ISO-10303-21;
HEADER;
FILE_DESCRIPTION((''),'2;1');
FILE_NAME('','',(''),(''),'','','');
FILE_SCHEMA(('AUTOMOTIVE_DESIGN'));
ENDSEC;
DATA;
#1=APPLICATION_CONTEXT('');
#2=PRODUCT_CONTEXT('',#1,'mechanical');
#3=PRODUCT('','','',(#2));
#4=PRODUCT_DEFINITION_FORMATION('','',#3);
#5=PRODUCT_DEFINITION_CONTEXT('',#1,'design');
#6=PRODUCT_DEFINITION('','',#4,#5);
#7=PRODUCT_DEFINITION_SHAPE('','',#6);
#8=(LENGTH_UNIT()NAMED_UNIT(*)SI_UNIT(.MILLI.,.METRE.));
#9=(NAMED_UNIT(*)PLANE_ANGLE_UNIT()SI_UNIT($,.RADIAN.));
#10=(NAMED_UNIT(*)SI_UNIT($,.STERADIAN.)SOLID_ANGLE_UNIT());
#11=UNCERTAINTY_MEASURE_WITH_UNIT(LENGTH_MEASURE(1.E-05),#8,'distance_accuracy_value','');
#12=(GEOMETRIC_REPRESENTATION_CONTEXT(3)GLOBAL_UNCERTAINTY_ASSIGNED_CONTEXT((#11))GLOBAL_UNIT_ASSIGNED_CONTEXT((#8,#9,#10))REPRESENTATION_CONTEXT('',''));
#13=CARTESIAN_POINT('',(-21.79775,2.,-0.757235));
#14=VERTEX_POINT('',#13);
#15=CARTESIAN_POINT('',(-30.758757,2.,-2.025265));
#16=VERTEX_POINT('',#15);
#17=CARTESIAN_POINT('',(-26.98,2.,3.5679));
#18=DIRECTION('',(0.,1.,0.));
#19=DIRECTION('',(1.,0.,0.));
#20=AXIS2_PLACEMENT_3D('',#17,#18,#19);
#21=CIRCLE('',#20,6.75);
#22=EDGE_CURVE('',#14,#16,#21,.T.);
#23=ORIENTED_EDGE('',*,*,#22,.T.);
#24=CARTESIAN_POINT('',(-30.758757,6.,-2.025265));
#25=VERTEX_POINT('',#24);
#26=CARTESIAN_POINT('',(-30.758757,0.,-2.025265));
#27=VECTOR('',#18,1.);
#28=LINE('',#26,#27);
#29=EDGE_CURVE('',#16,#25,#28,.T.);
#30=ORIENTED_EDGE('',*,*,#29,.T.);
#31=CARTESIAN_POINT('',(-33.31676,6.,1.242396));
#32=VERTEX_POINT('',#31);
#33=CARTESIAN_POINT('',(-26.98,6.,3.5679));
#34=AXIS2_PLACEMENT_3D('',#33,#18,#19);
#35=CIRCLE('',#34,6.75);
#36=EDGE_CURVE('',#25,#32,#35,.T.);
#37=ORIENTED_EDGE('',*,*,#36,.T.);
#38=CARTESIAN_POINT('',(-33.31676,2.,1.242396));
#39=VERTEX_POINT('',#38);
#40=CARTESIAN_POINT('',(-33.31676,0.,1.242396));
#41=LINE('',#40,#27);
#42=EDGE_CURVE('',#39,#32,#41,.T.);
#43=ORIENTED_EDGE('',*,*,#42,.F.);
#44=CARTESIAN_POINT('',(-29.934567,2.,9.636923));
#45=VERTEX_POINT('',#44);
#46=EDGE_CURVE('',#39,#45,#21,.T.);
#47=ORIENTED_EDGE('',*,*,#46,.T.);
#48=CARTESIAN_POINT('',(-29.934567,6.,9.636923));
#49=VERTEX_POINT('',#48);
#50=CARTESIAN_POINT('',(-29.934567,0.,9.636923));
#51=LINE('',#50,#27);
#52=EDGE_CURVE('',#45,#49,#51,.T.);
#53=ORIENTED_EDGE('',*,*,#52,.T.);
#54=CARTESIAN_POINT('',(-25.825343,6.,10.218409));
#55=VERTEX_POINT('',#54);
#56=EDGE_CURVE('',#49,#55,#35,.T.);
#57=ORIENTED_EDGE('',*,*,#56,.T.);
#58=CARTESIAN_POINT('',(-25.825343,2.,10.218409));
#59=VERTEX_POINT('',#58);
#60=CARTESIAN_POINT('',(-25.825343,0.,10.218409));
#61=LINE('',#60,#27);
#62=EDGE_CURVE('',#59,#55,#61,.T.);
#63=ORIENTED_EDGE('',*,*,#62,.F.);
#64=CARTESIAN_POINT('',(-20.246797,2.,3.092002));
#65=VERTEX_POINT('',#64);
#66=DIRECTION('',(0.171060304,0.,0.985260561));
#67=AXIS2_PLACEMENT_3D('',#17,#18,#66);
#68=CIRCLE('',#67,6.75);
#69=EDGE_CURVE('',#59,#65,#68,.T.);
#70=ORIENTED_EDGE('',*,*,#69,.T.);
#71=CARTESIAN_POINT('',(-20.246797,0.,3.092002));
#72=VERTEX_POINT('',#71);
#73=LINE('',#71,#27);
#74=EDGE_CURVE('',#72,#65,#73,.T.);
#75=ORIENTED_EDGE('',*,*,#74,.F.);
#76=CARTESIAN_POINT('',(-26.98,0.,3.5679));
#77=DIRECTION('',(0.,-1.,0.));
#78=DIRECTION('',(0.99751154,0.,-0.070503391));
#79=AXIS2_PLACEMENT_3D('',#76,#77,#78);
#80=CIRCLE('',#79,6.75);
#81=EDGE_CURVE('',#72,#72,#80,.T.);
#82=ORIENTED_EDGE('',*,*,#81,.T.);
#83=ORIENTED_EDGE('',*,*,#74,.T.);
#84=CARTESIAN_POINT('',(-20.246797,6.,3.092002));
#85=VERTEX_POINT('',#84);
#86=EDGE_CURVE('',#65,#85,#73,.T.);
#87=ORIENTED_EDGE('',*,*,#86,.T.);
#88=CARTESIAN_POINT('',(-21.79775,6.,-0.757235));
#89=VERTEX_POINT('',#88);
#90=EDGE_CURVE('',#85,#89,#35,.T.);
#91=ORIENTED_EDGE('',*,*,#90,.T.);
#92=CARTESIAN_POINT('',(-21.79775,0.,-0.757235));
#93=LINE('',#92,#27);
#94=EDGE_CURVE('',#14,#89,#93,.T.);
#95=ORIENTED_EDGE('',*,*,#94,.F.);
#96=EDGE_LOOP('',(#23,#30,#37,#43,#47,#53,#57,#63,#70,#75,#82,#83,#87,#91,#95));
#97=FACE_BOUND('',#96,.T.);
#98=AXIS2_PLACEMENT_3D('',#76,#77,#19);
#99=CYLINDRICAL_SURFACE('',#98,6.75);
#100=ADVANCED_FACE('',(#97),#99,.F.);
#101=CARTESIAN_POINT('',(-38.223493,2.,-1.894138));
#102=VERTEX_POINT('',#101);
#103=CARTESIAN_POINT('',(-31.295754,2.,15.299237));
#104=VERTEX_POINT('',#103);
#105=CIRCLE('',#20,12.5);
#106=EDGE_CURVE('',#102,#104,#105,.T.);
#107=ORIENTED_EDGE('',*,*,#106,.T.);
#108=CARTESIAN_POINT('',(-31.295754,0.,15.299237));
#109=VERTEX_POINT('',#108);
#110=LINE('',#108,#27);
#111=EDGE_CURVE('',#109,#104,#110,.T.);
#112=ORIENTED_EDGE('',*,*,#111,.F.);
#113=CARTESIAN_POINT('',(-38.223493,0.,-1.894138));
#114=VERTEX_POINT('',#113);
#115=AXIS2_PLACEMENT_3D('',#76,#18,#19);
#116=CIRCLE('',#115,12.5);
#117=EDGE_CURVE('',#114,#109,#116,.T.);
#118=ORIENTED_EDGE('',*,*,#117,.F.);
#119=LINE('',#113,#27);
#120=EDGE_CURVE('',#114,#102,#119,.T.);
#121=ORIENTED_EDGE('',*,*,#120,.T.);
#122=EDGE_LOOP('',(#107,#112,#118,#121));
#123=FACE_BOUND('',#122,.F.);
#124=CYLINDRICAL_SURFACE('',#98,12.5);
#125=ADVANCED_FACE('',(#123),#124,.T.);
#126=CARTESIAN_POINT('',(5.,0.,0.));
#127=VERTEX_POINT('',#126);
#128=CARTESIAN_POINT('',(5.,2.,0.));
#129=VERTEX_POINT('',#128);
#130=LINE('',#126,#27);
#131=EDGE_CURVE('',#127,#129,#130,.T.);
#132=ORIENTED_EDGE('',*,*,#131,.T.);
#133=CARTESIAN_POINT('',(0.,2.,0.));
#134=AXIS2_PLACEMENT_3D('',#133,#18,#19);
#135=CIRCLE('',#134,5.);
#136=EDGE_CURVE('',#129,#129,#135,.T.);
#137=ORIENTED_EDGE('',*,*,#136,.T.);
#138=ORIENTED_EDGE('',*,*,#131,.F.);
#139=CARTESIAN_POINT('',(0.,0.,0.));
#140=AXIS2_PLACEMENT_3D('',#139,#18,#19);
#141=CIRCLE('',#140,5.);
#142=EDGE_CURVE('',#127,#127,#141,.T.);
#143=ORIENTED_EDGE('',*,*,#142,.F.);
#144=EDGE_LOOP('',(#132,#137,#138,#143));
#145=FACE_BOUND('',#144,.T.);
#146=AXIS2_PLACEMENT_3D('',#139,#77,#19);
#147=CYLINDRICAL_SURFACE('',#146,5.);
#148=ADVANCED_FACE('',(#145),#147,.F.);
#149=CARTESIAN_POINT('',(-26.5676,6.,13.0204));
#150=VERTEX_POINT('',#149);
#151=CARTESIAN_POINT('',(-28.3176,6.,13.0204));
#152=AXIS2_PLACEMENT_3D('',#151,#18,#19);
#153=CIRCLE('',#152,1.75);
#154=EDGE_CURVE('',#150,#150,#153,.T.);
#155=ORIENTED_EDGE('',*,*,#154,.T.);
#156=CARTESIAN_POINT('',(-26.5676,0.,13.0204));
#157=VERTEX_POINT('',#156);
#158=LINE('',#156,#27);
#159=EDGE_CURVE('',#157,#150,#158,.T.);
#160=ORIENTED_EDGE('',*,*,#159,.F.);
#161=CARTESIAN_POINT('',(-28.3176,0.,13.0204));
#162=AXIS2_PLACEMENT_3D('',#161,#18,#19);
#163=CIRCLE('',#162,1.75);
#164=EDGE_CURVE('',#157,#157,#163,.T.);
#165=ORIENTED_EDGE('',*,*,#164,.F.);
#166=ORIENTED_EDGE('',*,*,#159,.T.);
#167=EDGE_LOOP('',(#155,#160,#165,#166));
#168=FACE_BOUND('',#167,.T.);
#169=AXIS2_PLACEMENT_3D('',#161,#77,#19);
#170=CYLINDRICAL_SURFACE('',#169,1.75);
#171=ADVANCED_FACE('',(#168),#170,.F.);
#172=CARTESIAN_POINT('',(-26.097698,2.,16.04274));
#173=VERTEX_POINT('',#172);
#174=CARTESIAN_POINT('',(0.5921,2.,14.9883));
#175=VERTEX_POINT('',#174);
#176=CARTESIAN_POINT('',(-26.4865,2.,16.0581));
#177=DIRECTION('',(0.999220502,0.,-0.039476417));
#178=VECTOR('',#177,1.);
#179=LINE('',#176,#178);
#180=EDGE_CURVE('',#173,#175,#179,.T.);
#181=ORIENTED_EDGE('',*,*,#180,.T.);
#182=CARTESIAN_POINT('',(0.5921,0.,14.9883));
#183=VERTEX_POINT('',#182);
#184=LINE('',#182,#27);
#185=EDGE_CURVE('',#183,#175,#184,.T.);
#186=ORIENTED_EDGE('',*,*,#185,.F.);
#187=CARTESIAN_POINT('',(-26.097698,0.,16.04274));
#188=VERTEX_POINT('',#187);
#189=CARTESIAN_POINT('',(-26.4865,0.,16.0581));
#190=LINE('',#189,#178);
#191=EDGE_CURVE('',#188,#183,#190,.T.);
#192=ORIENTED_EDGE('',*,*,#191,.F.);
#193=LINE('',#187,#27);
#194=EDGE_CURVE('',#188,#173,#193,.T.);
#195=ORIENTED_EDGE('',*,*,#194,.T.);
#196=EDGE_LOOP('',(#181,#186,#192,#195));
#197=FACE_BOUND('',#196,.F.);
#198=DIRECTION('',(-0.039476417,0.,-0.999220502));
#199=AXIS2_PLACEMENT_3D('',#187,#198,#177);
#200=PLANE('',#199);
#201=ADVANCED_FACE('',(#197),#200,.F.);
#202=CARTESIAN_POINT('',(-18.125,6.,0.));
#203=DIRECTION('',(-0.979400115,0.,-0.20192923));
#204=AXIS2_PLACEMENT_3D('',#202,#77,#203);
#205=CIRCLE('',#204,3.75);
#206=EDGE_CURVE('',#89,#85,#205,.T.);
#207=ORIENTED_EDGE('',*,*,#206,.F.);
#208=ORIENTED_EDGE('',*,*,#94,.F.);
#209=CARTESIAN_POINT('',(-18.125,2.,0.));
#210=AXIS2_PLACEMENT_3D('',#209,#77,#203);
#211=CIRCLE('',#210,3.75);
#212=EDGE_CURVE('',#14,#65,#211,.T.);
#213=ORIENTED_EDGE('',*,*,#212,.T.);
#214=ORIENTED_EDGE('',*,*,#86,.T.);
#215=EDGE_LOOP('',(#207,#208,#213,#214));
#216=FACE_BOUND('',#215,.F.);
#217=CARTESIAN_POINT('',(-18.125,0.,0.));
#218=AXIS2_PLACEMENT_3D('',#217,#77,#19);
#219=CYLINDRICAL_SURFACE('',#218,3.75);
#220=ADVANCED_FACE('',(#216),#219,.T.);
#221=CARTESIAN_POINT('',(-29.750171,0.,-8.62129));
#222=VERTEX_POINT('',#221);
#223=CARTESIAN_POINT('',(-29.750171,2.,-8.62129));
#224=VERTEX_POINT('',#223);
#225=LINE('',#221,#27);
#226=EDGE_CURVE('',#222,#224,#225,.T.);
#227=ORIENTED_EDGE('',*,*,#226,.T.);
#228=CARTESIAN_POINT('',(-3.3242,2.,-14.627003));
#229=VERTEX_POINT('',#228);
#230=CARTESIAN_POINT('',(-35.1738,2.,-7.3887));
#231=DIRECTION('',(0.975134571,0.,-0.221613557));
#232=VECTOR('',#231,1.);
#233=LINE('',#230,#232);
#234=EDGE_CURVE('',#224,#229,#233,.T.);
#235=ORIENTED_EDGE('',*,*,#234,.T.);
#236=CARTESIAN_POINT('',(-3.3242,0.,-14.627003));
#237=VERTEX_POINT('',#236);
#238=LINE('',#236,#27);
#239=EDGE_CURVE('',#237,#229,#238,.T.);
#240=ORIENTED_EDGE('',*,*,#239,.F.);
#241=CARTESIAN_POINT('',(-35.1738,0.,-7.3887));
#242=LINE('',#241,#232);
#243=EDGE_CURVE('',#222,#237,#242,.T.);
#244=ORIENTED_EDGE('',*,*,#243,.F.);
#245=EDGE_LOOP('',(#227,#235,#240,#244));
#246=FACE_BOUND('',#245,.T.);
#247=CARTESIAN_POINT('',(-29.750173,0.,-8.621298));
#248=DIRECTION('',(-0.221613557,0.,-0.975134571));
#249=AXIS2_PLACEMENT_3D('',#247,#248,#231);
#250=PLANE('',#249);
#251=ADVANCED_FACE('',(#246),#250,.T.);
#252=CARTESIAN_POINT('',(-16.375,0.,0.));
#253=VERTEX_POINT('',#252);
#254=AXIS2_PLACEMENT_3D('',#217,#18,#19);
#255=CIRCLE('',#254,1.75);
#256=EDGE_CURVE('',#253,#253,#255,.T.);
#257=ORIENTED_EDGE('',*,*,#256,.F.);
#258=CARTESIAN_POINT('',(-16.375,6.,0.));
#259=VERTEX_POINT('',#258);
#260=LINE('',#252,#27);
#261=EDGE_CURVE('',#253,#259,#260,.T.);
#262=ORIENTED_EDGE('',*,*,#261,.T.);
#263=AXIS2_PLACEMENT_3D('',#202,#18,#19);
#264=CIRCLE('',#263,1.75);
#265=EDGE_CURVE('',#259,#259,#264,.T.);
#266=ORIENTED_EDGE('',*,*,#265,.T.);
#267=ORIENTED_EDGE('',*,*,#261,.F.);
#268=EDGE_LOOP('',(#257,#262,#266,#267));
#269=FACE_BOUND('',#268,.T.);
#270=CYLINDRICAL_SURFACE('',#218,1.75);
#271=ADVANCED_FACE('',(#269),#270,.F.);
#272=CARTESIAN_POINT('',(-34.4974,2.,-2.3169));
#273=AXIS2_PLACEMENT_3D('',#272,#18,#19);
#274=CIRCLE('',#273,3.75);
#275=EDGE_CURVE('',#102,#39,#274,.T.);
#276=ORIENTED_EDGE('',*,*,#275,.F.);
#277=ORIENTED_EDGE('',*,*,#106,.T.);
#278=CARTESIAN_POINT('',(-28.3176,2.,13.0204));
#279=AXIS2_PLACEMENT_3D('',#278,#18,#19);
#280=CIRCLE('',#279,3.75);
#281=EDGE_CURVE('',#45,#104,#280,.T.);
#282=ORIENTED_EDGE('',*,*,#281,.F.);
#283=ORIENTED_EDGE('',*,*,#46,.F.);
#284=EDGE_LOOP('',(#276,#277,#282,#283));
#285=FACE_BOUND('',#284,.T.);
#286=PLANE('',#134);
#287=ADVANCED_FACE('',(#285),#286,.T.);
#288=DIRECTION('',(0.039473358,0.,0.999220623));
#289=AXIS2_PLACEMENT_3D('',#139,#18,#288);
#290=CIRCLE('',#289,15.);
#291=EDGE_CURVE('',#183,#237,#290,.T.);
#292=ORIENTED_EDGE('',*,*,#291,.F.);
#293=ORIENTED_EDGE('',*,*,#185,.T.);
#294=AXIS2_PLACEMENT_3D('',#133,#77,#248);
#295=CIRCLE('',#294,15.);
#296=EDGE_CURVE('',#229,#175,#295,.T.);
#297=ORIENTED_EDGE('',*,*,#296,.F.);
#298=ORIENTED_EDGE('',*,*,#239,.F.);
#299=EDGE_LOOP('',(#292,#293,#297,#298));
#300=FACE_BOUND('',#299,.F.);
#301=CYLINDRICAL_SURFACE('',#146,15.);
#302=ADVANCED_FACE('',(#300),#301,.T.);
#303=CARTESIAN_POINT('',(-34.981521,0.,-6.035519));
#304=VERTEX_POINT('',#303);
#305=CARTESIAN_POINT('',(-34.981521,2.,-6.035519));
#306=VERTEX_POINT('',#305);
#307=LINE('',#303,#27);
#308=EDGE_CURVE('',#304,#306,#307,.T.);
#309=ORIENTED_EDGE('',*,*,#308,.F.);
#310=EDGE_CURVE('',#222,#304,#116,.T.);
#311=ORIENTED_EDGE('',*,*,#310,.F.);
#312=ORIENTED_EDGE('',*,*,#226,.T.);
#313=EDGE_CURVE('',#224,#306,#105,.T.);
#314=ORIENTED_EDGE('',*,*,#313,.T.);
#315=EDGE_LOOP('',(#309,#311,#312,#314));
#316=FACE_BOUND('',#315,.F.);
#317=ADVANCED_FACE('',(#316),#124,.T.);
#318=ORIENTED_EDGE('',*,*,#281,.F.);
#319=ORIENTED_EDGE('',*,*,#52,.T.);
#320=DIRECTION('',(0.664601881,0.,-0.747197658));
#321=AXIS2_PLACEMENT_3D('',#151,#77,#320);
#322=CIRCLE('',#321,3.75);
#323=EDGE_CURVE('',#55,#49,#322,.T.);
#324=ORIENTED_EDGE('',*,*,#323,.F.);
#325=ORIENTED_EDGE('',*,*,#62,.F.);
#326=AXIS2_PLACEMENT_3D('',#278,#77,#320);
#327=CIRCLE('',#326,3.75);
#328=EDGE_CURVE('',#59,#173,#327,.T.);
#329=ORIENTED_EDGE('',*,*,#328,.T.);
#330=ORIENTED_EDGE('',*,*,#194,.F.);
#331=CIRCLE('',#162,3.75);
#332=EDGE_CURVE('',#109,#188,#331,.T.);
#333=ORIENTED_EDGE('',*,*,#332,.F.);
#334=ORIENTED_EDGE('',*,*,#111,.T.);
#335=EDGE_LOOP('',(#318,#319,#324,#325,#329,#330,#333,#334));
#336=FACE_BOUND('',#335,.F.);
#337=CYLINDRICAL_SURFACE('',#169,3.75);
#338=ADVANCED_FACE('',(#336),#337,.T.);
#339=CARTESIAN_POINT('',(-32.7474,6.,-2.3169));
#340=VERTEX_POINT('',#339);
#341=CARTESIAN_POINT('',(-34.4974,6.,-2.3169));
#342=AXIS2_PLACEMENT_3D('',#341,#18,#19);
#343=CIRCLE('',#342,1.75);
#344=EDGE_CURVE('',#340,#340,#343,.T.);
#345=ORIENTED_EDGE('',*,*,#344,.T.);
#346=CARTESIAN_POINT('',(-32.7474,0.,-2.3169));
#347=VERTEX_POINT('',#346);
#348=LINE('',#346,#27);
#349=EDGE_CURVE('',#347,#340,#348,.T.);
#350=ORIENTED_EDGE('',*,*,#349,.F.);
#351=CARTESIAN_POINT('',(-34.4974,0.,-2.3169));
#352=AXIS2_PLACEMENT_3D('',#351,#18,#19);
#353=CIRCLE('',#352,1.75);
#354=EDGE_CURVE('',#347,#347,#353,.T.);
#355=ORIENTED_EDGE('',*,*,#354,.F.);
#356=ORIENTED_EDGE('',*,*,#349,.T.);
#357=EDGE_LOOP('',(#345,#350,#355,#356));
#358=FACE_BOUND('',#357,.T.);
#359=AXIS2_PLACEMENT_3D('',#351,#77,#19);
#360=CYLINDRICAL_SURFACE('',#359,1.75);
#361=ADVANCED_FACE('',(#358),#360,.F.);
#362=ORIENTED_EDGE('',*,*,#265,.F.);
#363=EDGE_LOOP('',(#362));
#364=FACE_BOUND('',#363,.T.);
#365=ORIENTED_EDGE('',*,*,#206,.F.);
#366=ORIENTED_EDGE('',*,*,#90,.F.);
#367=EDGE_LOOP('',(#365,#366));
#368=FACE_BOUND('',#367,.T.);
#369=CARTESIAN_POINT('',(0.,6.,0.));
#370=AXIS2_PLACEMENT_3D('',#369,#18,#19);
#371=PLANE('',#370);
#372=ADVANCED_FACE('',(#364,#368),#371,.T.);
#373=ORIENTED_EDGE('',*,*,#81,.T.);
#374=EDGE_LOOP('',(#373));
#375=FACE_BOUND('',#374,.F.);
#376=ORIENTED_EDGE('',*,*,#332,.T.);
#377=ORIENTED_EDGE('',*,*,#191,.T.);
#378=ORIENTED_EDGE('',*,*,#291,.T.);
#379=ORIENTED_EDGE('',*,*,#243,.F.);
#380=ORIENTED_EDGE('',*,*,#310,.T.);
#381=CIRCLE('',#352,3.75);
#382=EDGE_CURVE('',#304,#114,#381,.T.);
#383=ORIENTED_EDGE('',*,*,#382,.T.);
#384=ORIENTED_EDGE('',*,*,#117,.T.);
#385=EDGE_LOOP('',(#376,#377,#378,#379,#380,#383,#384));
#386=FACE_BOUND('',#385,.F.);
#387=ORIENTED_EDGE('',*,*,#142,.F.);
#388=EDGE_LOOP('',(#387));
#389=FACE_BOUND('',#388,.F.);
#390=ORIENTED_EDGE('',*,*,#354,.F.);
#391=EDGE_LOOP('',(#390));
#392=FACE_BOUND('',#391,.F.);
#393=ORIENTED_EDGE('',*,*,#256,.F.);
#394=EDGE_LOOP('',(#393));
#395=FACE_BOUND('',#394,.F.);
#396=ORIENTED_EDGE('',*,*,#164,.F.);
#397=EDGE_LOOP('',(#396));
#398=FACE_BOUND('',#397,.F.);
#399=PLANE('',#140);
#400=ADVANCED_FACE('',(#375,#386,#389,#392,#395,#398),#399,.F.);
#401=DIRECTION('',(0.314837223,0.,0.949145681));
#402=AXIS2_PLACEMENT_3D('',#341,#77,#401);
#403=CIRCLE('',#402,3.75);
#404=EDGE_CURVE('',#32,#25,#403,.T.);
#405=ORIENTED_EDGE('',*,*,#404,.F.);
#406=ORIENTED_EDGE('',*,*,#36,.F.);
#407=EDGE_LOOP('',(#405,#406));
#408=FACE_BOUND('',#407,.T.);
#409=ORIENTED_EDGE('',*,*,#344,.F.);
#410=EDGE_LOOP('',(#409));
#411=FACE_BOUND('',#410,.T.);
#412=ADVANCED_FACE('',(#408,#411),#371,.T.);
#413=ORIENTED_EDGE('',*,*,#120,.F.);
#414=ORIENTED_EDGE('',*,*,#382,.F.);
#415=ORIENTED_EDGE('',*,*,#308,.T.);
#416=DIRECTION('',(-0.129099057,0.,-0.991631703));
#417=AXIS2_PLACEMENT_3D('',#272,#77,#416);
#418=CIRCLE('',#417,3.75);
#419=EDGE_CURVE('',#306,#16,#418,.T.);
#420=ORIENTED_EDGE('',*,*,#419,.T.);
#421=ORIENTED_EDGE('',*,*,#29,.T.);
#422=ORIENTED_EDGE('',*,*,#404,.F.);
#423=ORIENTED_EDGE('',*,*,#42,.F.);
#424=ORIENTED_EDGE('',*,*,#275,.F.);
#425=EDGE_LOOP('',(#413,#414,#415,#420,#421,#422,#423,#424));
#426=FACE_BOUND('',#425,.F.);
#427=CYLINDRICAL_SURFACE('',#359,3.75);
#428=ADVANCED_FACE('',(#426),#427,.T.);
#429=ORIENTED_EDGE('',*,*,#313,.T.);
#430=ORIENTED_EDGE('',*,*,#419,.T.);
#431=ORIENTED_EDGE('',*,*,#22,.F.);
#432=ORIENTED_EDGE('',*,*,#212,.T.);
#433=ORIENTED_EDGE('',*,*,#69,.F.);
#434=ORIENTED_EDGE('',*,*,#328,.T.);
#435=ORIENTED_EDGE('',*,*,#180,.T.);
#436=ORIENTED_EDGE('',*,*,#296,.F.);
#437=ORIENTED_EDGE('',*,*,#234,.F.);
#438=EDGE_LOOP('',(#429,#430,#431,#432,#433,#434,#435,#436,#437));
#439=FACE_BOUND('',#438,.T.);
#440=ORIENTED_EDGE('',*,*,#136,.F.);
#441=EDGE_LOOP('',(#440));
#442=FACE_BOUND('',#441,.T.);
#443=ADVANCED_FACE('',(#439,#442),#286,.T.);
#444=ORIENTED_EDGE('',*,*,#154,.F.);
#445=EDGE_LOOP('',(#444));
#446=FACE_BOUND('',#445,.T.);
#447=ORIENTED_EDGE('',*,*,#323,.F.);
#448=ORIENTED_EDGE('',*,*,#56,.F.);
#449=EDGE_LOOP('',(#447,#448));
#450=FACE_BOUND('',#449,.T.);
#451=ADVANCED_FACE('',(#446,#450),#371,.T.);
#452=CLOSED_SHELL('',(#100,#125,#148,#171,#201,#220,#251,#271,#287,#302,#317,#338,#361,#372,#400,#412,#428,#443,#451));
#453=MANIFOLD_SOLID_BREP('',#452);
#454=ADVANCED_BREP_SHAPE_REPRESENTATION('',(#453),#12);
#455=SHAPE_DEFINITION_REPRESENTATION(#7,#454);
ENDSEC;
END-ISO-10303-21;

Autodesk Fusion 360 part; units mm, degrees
sketch "Sketch1" plane through (0, 0, 0) normal (0, 1, 0) x (1, 0, 0)
  circle A0 centre (0, 0) radius 15
  circle A1 centre (0, 0) radius 5
  circle A2 centre (-26.98, -3.5679) radius 12.5
  circle A3 centre (-26.98, -3.5679) radius 6.75
  line L0 (-15, 0) -> (-21.25, 0) construction
  circle A4 centre (-18.125, 0) radius 1.75
  circle A5 centre (-18.125, 0) radius 3.75
  circle A6 centre (-34.4974, 2.3169) radius 3.75
  circle A7 centre (-34.4974, 2.3169) radius 1.75
  circle A8 centre (-28.3176, -13.0204) radius 3.75
  circle A9 centre (-28.3176, -13.0204) radius 1.75
  line L1 (-26.4865, -16.0581) -> (0.5921, -14.9883)
  line L2 (-35.1738, 7.3887) -> (6.156, 16.7815)
  dimension "d8" = 30
  dimension "d9" = 10
  dimension "d10" = 25
  dimension "d11" = 13.5
  dimension "d13" = 3.5
  dimension "d14" = 2
  dimension "d16" = 360
extrude "Extrude1" add sketch "Sketch1" along normal blind 2 contours A0 A2 A5 | A0 A2 A8 L1 | A0 A2 A3 A5 A8 | A0 A2 A5 | A0 A2 A5 L2 | A2 A3 A6 A8 | A2 A3 A5 A6 picked at (-11.2572, 2.1089) picked at (-14.7409, -2.1959) makes body 1 at (-17.1331, 0, -8.9977) makes body 2 at (-33.5448, 0, 10.0531)
extrude "Extrude2" add sketch "Sketch1" along normal blind 6 contours A2 A8 L1 | A2 A8 L1 | A0 A2 A3 A5 | A0 A2 A5 | A2 A3 A8 | A0 A2 A5 | A0 A2 A5 | A2 A6 | A2 A3 A6 picked at (-14.7886, -1.2173) picked at (-14.7981, 0.3734) picked at (-15.5133, 1.9421) bodies 1 2
equation "ring_hole = 13.5 mm"
equation "ring_diam = 25 mm"
equation "screw_diam = 10 mm"
equation "depth = 2 mm"
equation "screw_od = 30 mm"
equation "insert_depth = 4 mm"
equation "insert_od = 3.5 mm"
equation "d8 = screw_od"
equation "d9 = screw_diam"
equation "d10 = ring_diam"
equation "d11 = ring_hole"
equation "m2_hole = 3 mm"
equation "d13 = insert_od"
equation "d14 = depth"
equation "d17 = depth"
equation "d19 = depth + insert_depth"
